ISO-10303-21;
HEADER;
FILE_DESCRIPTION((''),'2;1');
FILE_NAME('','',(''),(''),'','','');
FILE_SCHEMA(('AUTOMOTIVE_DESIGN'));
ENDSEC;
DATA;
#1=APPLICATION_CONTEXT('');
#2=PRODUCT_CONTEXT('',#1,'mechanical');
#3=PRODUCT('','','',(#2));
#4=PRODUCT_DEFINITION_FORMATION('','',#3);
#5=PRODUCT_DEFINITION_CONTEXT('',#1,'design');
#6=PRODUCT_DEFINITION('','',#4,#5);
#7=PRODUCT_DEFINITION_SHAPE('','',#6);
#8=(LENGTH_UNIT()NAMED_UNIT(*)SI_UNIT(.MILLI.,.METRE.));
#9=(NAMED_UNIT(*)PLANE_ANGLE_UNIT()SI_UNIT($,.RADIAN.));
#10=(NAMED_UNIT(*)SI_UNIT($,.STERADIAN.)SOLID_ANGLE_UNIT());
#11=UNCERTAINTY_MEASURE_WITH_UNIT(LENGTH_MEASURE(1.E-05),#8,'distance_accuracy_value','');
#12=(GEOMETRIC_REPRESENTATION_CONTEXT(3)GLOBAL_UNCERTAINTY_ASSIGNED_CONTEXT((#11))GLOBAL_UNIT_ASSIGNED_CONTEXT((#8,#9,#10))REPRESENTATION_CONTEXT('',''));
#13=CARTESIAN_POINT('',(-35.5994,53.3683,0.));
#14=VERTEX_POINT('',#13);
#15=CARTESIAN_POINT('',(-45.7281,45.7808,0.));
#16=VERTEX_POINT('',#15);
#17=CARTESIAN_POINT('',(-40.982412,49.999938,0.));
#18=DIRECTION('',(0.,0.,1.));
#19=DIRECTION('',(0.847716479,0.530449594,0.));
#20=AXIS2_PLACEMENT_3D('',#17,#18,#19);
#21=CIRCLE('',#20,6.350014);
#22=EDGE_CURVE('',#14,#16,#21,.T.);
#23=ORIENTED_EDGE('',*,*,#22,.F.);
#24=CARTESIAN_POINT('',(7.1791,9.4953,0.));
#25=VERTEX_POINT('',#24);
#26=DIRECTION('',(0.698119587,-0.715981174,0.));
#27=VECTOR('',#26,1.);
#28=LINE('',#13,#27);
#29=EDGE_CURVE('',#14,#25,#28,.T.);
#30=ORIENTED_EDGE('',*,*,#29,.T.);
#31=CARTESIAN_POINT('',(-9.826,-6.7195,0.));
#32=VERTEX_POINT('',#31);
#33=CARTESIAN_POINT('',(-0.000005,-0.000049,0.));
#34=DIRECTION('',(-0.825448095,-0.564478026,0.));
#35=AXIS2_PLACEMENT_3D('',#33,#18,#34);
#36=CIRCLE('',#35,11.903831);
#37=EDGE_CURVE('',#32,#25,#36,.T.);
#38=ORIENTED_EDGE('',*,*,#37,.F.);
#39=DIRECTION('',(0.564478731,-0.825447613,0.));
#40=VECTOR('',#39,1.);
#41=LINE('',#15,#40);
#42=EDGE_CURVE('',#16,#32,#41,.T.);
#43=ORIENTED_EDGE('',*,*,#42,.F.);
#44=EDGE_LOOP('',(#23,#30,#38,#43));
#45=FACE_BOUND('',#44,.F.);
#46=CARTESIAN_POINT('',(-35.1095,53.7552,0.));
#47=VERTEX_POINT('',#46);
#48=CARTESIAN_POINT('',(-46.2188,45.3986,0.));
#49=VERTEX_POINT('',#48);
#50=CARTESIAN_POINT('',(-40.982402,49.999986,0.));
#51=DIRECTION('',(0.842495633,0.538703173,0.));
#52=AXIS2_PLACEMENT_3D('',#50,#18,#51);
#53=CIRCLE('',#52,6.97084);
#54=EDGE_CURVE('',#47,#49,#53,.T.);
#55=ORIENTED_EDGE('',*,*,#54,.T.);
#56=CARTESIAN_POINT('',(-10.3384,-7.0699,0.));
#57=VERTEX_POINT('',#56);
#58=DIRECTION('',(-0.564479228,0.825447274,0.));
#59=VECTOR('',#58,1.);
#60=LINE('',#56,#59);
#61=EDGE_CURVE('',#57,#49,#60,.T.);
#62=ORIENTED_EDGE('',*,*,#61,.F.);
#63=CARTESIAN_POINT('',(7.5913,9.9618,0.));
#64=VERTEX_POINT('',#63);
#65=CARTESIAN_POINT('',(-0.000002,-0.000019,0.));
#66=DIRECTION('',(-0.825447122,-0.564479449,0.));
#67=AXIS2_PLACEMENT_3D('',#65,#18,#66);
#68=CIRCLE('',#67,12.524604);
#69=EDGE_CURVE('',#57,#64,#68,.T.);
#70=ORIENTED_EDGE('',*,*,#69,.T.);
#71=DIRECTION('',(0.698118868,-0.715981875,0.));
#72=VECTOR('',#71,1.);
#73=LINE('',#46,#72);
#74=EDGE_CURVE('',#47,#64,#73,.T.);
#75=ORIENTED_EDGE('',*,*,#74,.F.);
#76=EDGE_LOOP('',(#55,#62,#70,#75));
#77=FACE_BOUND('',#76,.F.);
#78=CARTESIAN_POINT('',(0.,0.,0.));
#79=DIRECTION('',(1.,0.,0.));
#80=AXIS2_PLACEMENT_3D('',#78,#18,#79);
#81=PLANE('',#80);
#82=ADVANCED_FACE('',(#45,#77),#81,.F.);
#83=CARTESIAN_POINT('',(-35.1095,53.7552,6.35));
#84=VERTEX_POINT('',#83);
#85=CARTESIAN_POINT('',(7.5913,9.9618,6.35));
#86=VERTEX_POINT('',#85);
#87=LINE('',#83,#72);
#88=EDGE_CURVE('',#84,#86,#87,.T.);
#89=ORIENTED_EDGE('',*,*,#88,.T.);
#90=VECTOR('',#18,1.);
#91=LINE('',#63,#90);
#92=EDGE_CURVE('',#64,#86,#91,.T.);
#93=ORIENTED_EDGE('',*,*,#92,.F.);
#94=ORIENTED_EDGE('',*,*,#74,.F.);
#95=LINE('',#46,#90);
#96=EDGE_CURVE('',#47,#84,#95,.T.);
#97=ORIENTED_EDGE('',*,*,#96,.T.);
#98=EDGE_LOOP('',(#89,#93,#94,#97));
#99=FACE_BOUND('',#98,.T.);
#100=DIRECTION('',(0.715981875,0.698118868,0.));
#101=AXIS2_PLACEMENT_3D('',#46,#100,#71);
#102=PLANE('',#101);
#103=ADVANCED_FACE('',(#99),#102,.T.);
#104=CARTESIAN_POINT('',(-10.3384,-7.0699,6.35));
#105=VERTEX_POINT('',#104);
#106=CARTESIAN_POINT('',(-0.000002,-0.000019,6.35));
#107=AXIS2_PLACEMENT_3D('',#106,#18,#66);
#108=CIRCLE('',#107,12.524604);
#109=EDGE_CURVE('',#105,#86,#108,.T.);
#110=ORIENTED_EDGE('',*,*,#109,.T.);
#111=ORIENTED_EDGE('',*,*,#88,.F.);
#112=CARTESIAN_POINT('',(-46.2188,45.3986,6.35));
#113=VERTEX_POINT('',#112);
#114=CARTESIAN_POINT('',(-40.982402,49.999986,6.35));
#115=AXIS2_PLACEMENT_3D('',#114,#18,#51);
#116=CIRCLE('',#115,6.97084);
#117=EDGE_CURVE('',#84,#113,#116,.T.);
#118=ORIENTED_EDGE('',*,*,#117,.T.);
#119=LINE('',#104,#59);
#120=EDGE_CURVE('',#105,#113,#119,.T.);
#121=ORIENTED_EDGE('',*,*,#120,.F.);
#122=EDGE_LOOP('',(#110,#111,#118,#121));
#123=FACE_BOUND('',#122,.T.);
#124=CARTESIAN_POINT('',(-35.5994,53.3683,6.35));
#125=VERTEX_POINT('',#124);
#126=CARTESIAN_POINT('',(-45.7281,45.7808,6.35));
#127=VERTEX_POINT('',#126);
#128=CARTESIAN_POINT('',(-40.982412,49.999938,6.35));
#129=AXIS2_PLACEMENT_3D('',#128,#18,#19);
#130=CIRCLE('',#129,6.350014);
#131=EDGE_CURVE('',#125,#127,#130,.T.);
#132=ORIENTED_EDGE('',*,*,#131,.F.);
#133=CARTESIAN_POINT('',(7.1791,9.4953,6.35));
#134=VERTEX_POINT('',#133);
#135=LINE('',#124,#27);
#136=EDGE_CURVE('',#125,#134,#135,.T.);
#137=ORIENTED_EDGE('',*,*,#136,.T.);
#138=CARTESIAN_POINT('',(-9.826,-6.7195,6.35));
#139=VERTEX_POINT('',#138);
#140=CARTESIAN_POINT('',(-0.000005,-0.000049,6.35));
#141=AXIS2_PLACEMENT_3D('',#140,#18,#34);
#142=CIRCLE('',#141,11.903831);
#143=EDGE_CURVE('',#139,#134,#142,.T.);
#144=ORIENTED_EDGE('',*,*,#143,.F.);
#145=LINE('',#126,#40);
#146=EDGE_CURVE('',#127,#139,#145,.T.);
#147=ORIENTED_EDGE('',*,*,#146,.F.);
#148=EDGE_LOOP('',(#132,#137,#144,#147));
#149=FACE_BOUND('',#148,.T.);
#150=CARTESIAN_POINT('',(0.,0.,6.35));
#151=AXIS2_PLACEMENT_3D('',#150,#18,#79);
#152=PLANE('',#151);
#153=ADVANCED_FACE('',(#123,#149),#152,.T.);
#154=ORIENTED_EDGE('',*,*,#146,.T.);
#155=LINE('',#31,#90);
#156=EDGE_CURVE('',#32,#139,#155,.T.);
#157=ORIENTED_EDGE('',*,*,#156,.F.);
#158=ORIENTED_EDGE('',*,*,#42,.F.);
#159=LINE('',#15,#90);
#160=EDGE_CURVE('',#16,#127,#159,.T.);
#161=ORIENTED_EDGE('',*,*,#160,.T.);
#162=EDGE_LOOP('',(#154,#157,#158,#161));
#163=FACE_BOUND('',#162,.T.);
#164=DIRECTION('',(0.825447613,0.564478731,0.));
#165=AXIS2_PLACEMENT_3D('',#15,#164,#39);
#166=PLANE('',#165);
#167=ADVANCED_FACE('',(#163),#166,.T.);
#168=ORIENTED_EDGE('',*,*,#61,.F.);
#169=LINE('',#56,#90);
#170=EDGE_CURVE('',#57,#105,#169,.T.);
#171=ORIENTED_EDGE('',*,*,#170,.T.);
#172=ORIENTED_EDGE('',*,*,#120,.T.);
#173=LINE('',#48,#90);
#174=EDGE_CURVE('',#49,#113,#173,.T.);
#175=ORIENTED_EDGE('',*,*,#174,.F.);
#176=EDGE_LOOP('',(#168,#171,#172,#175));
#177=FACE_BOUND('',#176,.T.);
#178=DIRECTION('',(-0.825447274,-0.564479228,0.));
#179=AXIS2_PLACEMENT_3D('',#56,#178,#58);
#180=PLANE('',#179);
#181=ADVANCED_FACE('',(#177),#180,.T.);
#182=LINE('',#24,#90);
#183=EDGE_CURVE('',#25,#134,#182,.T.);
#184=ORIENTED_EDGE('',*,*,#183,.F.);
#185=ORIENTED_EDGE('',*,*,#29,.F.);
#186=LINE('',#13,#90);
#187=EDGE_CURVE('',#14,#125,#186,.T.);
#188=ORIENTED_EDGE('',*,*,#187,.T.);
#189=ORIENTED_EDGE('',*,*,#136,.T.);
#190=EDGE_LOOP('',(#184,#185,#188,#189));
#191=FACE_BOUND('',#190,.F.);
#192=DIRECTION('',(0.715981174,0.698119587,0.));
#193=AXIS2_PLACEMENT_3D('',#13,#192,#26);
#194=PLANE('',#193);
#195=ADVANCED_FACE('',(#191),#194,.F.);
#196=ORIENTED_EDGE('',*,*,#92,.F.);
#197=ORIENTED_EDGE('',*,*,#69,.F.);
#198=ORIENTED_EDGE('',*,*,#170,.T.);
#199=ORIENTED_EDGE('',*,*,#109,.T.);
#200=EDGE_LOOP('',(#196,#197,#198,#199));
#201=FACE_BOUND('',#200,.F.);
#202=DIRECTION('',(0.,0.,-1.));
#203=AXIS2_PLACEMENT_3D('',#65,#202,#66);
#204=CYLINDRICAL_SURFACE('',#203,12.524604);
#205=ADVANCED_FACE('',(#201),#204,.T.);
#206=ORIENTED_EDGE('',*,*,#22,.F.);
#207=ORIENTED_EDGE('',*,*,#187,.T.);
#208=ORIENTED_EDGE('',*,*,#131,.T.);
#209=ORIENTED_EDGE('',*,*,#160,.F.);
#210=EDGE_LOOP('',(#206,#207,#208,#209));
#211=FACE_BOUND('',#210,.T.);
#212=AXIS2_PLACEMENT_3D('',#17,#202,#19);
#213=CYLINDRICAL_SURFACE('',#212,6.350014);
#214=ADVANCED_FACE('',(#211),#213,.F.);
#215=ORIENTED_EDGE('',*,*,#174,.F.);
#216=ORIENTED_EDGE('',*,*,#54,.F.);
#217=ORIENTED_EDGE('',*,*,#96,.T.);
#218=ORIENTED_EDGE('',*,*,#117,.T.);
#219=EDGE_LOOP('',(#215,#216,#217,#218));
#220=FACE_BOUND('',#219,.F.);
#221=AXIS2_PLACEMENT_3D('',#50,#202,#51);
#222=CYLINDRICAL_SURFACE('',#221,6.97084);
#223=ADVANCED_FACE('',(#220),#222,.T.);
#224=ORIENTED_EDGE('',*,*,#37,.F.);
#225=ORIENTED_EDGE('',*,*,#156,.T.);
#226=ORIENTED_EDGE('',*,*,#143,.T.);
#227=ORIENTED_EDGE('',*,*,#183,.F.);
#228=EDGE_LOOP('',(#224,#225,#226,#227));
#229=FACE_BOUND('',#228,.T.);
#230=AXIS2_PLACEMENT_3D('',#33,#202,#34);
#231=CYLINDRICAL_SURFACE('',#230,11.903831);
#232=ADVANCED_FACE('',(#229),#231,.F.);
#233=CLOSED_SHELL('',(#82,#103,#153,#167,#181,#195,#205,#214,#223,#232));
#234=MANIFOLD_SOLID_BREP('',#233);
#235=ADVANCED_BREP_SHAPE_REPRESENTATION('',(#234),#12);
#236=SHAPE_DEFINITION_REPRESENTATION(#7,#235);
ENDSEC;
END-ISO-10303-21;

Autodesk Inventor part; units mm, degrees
ref_plane "YZ Plane" through (0, 0, 0) normal (1, 0, 0) x (0, 1, 0)
ref_plane "XZ Plane" through (0, 0, 0) normal (0, 1, 0) x (-1, 0, 0)
ref_plane "XY Plane" through (0, 0, 0) normal (0, 0, 1) x (1, 0, 0)
sketch "Sketch1" plane through (0, 0, 0) normal (0, 0, 1) x (1, 0, 0)
  arc A0 (-6.3312, 9.4953) -> (-1.2535, 11.3435) centre (0, 0) ccw projected
  arc A1 (-39.762, 56.0914) -> (-36.7433, 54.5415) centre (-40.9824, 50) ccw projected
  arc A2 (-35.5994, 53.3683) -> (-45.7281, 45.7808) centre (-40.9824, 50) ccw
  arc A3 (-9.826, -6.7195) -> (7.1791, 9.4953) centre (0, 0) ccw
  line L0 (-45.7281, 45.7808) -> (-9.826, -6.7195)
  line L1 (-36.7433, 54.5415) -> (-36.3354, 54.1231)
  line L2 (-35.5994, 53.3683) -> (7.1791, 9.4953)
  arc A4 (-10.3384, -7.0699) -> (7.5913, 9.9618) centre (0, 0) ccw
  line L3 (-10.3384, -7.0699) -> (-46.2188, 45.3986)
  arc A5 (-35.1095, 53.7552) -> (-46.2188, 45.3986) centre (-40.9824, 50) ccw
  line L4 (-35.1095, 53.7552) -> (7.5913, 9.9618)
  point P0 (0, 0)
  dimension "d0" = 12.7
extrude "Extrusion1" add sketch "Sketch1" along normal blind 6.35 contours L3 A5 L4 A4
properties part number "z-belt"
